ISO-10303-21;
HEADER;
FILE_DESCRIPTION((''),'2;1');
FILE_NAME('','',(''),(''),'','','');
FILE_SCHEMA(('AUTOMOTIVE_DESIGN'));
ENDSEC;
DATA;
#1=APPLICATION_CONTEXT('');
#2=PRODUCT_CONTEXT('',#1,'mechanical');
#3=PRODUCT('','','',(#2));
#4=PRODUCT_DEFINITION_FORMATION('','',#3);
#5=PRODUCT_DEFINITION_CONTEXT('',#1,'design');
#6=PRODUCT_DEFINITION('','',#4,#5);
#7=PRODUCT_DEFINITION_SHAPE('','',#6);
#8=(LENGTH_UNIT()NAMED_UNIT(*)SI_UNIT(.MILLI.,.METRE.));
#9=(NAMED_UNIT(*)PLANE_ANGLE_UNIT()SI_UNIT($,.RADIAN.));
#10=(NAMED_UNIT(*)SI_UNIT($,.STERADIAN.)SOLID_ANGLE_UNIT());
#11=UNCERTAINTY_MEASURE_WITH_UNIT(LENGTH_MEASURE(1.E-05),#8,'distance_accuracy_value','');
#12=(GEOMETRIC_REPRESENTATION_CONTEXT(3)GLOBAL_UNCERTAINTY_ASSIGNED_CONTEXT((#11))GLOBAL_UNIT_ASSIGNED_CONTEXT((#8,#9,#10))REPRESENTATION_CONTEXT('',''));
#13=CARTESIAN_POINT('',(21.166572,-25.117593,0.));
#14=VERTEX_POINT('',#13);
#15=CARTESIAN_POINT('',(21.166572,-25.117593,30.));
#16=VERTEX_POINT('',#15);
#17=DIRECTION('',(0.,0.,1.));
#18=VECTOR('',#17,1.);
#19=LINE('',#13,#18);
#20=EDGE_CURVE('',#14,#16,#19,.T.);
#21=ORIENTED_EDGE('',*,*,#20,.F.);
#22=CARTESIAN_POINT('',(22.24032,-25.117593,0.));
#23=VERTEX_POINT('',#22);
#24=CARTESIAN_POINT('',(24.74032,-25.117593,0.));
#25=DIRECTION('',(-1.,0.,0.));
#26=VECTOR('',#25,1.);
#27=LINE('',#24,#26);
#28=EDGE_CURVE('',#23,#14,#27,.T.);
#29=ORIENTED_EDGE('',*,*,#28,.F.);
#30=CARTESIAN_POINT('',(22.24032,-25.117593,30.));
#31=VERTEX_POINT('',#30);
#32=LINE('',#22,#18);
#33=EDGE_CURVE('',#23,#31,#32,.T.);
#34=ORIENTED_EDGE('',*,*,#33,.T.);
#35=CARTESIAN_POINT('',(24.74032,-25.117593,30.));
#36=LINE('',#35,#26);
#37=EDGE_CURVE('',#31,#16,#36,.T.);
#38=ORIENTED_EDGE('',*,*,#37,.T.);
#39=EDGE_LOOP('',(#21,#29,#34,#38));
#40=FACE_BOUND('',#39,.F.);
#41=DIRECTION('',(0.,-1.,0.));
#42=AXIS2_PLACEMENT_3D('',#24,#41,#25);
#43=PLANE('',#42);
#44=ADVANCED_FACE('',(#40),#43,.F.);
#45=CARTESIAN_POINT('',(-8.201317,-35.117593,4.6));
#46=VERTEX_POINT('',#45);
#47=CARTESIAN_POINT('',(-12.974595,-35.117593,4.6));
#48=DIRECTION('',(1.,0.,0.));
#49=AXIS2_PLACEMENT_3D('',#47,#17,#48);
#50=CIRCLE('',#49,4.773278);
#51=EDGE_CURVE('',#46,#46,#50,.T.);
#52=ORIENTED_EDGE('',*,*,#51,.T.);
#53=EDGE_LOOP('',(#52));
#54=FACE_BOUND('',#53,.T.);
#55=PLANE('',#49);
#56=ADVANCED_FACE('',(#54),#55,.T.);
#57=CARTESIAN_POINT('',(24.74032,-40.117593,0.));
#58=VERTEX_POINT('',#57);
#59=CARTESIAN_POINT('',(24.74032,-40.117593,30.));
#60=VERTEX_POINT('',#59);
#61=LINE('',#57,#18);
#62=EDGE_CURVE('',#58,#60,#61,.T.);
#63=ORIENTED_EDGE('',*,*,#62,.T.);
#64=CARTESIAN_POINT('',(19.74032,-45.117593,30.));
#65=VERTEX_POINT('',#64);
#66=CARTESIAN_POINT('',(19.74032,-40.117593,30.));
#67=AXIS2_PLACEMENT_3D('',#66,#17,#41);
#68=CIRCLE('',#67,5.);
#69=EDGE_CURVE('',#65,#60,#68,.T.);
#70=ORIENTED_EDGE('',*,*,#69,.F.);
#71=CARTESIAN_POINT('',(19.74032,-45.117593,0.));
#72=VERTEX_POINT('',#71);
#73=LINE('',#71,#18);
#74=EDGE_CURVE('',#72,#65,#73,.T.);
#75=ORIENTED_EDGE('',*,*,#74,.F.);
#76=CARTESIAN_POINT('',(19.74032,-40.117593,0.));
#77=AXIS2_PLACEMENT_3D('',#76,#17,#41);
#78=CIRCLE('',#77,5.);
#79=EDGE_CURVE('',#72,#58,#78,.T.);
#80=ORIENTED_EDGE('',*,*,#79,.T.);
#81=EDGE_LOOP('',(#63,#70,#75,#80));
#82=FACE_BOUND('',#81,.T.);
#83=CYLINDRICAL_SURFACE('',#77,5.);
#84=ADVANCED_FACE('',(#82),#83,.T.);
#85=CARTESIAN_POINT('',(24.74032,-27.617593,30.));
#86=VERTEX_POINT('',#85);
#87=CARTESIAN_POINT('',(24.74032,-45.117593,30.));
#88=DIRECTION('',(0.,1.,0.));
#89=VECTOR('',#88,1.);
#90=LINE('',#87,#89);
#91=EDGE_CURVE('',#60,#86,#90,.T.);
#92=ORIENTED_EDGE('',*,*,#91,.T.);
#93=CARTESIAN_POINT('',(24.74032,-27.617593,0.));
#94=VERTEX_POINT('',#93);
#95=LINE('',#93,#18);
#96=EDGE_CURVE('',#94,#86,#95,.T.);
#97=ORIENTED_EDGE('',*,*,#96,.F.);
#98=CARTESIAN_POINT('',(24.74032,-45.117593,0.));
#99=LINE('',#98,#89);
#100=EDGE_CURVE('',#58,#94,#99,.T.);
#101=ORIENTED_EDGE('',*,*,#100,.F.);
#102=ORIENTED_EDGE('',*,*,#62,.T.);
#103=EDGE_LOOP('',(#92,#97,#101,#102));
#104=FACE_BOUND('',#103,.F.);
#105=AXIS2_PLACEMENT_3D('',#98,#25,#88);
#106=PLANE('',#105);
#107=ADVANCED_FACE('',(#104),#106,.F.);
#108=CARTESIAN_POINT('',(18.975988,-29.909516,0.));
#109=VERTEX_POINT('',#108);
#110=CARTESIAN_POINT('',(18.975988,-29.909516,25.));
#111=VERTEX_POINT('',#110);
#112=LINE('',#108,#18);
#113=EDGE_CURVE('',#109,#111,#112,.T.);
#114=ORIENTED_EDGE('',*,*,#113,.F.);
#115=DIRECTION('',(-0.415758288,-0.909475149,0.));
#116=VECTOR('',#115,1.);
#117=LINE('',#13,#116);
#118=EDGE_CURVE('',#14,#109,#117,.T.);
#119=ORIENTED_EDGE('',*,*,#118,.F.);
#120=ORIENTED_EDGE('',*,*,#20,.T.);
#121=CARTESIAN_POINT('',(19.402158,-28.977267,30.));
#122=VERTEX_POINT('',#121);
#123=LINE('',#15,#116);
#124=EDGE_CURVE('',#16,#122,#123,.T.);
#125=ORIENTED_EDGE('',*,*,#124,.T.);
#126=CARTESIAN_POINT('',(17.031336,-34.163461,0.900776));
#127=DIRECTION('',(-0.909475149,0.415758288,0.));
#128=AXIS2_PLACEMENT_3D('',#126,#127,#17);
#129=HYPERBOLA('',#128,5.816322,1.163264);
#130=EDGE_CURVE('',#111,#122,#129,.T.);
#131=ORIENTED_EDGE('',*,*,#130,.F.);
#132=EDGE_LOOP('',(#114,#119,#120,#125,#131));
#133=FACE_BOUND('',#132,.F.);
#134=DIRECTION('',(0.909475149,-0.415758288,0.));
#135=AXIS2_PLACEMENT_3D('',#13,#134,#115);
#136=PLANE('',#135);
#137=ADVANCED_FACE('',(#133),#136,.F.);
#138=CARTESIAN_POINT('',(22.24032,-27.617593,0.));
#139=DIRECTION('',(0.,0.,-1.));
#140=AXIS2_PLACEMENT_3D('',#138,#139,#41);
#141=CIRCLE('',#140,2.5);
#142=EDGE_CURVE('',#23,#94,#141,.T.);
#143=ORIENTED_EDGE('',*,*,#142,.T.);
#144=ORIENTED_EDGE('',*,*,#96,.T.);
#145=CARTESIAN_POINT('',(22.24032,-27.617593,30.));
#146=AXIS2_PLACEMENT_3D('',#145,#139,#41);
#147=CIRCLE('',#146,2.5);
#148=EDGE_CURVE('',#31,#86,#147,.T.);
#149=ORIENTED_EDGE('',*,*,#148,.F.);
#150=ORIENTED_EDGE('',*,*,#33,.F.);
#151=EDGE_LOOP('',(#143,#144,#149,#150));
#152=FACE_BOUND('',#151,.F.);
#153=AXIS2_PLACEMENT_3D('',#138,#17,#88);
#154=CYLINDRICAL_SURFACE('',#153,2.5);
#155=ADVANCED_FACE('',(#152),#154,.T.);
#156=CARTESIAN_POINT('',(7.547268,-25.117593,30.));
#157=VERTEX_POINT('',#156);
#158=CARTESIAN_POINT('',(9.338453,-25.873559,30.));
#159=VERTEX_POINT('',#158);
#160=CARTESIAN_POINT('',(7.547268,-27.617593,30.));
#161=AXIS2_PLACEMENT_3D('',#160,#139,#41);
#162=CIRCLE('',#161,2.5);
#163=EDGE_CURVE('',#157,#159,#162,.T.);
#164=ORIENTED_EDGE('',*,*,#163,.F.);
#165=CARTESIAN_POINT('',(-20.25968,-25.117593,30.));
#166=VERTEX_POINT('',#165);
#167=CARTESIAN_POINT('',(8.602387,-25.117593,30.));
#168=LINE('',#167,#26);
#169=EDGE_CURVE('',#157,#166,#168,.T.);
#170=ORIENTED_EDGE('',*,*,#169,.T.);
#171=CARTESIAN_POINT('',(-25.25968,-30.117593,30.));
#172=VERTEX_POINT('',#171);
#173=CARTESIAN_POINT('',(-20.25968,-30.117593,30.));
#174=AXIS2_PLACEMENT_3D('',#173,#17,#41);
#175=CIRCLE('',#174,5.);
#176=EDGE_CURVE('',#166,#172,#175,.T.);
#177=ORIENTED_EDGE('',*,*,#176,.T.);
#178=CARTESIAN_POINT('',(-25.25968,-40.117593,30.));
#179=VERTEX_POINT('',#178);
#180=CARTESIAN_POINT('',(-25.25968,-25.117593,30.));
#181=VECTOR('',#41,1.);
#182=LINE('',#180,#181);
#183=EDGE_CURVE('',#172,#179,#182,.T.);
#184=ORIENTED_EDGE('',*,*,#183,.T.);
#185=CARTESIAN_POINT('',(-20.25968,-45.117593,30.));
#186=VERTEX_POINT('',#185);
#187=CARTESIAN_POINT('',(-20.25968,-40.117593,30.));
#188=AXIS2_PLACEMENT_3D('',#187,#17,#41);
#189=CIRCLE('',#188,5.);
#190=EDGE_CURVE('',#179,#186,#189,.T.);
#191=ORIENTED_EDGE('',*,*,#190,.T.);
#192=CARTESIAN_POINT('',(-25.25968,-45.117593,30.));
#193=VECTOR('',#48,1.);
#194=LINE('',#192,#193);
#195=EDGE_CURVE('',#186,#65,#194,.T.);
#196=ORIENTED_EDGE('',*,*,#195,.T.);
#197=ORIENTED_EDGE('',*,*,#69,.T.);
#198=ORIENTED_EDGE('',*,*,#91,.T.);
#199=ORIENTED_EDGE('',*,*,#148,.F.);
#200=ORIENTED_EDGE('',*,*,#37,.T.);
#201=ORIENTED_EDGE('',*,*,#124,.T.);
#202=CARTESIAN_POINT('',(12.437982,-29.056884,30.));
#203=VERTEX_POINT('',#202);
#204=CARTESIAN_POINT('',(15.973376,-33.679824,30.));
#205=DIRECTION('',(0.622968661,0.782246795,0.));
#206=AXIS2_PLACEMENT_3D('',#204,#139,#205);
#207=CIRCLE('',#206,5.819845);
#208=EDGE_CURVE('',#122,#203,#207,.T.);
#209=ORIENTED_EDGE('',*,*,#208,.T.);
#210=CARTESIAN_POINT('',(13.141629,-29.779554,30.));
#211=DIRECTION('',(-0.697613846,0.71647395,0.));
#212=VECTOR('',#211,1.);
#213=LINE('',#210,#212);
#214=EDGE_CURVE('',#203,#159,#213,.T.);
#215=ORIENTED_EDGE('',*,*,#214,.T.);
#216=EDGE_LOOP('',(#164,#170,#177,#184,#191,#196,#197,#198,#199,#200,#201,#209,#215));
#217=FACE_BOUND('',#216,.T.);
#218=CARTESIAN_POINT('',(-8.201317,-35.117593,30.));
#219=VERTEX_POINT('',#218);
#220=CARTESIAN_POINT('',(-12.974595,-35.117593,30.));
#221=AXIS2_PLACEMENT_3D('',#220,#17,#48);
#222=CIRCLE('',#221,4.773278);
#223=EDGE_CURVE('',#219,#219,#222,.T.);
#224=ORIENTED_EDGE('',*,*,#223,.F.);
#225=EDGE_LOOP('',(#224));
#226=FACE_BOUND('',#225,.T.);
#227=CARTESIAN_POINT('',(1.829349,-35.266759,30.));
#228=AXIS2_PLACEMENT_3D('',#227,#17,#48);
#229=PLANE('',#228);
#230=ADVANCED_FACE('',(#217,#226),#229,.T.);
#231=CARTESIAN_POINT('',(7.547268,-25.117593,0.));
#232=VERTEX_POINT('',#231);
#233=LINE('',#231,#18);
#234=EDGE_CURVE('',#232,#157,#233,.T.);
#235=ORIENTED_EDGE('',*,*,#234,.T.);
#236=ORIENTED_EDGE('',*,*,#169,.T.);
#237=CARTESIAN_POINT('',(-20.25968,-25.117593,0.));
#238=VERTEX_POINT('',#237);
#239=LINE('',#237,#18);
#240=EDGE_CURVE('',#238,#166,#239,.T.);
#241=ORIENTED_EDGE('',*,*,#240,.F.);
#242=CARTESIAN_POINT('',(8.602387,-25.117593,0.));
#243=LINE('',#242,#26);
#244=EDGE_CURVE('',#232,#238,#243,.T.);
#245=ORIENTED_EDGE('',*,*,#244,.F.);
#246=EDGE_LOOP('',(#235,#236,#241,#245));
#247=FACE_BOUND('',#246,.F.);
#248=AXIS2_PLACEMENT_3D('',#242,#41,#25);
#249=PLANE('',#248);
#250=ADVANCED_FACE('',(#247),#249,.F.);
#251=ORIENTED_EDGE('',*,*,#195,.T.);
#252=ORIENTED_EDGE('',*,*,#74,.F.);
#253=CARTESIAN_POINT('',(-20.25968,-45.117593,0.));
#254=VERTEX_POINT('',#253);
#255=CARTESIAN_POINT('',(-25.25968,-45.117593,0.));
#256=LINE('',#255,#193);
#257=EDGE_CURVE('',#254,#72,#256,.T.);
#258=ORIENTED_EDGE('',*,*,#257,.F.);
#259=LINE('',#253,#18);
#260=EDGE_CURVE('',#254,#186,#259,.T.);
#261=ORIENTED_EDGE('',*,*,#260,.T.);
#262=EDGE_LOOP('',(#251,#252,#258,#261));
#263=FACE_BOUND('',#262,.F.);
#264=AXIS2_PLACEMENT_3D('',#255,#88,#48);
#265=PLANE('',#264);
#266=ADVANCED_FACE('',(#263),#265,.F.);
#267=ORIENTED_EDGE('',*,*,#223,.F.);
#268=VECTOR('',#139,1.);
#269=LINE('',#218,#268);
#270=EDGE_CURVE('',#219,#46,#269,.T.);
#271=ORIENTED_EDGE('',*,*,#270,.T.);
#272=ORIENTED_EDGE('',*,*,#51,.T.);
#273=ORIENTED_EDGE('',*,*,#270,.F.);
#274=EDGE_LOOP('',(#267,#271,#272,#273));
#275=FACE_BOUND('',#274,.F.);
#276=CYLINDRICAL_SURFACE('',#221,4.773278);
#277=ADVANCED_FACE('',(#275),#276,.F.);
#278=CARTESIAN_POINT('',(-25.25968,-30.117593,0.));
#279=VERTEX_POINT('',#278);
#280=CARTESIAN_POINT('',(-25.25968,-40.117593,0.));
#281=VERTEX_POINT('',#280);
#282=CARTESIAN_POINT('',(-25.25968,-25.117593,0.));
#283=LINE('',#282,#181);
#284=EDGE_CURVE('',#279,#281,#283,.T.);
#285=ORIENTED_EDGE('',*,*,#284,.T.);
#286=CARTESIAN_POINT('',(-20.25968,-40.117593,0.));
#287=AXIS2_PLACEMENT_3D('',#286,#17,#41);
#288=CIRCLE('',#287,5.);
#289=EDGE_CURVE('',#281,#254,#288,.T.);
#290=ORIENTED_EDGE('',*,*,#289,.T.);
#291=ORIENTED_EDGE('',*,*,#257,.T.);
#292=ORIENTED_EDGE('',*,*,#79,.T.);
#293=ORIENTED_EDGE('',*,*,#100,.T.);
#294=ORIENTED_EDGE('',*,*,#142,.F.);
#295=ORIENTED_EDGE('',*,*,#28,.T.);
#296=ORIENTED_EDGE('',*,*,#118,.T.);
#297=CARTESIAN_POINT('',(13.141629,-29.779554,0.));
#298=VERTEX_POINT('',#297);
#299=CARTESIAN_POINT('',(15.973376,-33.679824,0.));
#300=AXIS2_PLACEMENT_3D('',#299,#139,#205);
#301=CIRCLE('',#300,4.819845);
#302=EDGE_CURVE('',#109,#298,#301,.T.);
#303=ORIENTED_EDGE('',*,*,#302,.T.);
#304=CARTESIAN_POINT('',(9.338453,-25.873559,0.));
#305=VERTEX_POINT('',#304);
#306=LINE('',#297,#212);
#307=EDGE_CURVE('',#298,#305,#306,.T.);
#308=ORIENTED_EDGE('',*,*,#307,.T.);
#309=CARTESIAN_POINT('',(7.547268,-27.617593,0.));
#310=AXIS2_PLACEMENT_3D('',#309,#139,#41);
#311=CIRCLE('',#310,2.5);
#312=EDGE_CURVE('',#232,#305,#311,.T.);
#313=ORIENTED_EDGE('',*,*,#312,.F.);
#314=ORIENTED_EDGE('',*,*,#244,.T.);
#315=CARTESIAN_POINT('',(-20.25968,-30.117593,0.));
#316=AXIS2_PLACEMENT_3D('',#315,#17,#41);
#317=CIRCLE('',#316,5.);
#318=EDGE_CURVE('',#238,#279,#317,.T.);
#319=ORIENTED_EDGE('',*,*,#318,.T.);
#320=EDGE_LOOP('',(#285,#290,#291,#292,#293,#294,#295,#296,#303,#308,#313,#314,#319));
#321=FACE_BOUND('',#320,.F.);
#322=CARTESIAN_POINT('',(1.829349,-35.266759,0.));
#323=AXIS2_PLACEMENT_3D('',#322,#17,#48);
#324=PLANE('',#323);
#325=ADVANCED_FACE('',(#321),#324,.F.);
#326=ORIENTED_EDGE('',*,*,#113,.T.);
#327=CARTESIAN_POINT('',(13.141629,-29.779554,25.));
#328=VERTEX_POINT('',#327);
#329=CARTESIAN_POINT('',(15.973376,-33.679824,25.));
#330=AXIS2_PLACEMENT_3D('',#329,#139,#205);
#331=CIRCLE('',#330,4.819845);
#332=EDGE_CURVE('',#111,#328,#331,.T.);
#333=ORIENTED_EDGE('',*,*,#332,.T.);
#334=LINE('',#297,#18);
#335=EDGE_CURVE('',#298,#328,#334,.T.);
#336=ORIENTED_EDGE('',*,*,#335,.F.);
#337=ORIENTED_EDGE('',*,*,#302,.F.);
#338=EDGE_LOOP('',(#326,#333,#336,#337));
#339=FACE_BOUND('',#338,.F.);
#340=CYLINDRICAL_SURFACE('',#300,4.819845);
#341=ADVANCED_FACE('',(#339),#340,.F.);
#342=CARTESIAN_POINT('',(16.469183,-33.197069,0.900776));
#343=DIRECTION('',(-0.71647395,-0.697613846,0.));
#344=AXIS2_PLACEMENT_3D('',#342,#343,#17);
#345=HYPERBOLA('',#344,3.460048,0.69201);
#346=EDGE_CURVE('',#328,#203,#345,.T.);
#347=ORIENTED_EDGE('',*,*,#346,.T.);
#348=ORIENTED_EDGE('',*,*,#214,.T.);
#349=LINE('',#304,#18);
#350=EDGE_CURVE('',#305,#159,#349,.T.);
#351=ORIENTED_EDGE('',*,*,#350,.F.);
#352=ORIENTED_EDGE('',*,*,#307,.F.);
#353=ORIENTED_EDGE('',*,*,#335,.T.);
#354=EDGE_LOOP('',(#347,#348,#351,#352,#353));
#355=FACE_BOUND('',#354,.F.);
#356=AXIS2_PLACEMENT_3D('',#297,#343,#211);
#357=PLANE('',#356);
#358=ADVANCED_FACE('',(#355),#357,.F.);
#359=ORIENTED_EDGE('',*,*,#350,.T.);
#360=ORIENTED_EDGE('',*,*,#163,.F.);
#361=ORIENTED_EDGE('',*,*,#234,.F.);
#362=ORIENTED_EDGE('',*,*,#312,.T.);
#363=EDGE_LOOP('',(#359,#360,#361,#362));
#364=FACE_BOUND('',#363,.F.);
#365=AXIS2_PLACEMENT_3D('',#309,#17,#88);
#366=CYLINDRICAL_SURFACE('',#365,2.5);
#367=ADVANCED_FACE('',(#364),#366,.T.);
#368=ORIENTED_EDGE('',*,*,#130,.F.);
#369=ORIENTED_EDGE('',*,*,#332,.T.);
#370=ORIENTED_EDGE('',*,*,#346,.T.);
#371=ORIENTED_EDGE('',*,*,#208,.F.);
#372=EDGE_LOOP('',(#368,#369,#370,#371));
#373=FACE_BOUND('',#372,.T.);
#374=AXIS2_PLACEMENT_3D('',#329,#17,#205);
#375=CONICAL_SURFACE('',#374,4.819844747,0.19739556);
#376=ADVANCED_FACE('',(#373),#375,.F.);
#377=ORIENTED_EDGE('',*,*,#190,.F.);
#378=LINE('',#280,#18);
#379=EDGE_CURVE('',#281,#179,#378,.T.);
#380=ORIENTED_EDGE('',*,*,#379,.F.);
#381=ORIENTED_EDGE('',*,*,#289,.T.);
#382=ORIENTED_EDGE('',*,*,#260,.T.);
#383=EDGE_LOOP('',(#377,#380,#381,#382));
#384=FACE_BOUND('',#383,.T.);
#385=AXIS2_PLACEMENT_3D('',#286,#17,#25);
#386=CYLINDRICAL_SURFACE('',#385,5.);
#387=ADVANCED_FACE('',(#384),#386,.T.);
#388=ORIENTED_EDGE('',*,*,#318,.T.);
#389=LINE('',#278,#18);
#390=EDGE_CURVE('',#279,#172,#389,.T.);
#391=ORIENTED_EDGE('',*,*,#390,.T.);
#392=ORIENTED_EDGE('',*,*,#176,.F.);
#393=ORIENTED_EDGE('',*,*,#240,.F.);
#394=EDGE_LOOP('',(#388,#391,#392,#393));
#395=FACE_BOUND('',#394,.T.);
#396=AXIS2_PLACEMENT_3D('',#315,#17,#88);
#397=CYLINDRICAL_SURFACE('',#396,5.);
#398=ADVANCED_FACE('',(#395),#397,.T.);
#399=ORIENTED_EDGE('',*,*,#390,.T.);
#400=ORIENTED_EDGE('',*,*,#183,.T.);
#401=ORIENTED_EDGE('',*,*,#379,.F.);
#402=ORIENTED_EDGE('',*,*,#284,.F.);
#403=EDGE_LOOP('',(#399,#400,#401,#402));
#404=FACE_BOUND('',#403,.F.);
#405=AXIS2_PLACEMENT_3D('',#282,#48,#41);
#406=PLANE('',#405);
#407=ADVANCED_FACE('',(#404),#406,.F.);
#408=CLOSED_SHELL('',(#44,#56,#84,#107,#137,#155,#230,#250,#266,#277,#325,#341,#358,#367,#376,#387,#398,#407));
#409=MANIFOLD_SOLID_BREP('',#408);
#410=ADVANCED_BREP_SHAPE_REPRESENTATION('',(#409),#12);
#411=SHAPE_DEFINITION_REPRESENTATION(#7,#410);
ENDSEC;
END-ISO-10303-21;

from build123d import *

# Parameters (mm, degrees)
F1_DEPTH = 30
F2_R     = 5
F3_R     = 2.5
F4_SIZE2 = 1
F4_SIZE  = 5
F5_R     = 4.7732777186
F6_DEPTH = 25.4


with BuildPart() as f1:
    # F0 (on Top) → F1 (new body)
    with BuildSketch(Plane.XY):
        with BuildLine():
            Line((8.6023872718, -25.1175931746), (-25.2596801519, -25.1175931746))
            Line((-25.2596801519, -25.1175931746), (-25.2596801519, -45.1175931746))
            Line((-25.2596801519, -45.1175931746), (24.7403198481, -45.1175931746))
            Line((24.7403198481, -45.1175931746), (24.7403198481, -25.1175931746))
            Line((24.7403198481, -25.1175931746), (21.1665723473, -25.1175931746))
            Line((21.1665723473, -25.1175931746), (18.9759883363, -29.909516218))
            ThreePointArc((18.9759883363, -29.909516218), (15.8660389828, -38.4984737312), (13.1416287482, -29.7795537856))
            Line((13.1416287482, -29.7795537856), (8.6023872718, -25.1175931746))
        make_face()
    extrude(amount=F1_DEPTH)

    # F2
    f2_edges = [f1.edges().sort_by_distance(p)[0] for p in [
        (-25.25968, -25.117593, 15),
        (-25.25968, -45.117593, 15),
        (24.74032, -45.117593, 15),
    ]]
    fillet(f2_edges, radius=F2_R)

    # F3
    f3_edges = [f1.edges().sort_by_distance(p)[0] for p in [
        (24.74032, -25.117593, 15),
        (8.602387, -25.117593, 15),
    ]]
    fillet(f3_edges, radius=F3_R)

    # F4
    f4_edges = [f1.edges().sort_by_distance(p)[0] for p in [
        (15.866039, -38.498474, 30),
    ]]
    f4_side = f1.faces().sort_by_distance((15.866039, -38.498474, 15))[0]
    chamfer(f4_edges, length=F4_SIZE, length2=F4_SIZE2, reference=f4_side)

    # F5 (on face) → F6 (cut)
    with BuildSketch(Plane.XY.offset(30)):
        with Locations((-12.9745947197, -35.1175931746)):
            Circle(F5_R)
    extrude(amount=-F6_DEPTH, mode=Mode.SUBTRACT)


solid = f1.part
